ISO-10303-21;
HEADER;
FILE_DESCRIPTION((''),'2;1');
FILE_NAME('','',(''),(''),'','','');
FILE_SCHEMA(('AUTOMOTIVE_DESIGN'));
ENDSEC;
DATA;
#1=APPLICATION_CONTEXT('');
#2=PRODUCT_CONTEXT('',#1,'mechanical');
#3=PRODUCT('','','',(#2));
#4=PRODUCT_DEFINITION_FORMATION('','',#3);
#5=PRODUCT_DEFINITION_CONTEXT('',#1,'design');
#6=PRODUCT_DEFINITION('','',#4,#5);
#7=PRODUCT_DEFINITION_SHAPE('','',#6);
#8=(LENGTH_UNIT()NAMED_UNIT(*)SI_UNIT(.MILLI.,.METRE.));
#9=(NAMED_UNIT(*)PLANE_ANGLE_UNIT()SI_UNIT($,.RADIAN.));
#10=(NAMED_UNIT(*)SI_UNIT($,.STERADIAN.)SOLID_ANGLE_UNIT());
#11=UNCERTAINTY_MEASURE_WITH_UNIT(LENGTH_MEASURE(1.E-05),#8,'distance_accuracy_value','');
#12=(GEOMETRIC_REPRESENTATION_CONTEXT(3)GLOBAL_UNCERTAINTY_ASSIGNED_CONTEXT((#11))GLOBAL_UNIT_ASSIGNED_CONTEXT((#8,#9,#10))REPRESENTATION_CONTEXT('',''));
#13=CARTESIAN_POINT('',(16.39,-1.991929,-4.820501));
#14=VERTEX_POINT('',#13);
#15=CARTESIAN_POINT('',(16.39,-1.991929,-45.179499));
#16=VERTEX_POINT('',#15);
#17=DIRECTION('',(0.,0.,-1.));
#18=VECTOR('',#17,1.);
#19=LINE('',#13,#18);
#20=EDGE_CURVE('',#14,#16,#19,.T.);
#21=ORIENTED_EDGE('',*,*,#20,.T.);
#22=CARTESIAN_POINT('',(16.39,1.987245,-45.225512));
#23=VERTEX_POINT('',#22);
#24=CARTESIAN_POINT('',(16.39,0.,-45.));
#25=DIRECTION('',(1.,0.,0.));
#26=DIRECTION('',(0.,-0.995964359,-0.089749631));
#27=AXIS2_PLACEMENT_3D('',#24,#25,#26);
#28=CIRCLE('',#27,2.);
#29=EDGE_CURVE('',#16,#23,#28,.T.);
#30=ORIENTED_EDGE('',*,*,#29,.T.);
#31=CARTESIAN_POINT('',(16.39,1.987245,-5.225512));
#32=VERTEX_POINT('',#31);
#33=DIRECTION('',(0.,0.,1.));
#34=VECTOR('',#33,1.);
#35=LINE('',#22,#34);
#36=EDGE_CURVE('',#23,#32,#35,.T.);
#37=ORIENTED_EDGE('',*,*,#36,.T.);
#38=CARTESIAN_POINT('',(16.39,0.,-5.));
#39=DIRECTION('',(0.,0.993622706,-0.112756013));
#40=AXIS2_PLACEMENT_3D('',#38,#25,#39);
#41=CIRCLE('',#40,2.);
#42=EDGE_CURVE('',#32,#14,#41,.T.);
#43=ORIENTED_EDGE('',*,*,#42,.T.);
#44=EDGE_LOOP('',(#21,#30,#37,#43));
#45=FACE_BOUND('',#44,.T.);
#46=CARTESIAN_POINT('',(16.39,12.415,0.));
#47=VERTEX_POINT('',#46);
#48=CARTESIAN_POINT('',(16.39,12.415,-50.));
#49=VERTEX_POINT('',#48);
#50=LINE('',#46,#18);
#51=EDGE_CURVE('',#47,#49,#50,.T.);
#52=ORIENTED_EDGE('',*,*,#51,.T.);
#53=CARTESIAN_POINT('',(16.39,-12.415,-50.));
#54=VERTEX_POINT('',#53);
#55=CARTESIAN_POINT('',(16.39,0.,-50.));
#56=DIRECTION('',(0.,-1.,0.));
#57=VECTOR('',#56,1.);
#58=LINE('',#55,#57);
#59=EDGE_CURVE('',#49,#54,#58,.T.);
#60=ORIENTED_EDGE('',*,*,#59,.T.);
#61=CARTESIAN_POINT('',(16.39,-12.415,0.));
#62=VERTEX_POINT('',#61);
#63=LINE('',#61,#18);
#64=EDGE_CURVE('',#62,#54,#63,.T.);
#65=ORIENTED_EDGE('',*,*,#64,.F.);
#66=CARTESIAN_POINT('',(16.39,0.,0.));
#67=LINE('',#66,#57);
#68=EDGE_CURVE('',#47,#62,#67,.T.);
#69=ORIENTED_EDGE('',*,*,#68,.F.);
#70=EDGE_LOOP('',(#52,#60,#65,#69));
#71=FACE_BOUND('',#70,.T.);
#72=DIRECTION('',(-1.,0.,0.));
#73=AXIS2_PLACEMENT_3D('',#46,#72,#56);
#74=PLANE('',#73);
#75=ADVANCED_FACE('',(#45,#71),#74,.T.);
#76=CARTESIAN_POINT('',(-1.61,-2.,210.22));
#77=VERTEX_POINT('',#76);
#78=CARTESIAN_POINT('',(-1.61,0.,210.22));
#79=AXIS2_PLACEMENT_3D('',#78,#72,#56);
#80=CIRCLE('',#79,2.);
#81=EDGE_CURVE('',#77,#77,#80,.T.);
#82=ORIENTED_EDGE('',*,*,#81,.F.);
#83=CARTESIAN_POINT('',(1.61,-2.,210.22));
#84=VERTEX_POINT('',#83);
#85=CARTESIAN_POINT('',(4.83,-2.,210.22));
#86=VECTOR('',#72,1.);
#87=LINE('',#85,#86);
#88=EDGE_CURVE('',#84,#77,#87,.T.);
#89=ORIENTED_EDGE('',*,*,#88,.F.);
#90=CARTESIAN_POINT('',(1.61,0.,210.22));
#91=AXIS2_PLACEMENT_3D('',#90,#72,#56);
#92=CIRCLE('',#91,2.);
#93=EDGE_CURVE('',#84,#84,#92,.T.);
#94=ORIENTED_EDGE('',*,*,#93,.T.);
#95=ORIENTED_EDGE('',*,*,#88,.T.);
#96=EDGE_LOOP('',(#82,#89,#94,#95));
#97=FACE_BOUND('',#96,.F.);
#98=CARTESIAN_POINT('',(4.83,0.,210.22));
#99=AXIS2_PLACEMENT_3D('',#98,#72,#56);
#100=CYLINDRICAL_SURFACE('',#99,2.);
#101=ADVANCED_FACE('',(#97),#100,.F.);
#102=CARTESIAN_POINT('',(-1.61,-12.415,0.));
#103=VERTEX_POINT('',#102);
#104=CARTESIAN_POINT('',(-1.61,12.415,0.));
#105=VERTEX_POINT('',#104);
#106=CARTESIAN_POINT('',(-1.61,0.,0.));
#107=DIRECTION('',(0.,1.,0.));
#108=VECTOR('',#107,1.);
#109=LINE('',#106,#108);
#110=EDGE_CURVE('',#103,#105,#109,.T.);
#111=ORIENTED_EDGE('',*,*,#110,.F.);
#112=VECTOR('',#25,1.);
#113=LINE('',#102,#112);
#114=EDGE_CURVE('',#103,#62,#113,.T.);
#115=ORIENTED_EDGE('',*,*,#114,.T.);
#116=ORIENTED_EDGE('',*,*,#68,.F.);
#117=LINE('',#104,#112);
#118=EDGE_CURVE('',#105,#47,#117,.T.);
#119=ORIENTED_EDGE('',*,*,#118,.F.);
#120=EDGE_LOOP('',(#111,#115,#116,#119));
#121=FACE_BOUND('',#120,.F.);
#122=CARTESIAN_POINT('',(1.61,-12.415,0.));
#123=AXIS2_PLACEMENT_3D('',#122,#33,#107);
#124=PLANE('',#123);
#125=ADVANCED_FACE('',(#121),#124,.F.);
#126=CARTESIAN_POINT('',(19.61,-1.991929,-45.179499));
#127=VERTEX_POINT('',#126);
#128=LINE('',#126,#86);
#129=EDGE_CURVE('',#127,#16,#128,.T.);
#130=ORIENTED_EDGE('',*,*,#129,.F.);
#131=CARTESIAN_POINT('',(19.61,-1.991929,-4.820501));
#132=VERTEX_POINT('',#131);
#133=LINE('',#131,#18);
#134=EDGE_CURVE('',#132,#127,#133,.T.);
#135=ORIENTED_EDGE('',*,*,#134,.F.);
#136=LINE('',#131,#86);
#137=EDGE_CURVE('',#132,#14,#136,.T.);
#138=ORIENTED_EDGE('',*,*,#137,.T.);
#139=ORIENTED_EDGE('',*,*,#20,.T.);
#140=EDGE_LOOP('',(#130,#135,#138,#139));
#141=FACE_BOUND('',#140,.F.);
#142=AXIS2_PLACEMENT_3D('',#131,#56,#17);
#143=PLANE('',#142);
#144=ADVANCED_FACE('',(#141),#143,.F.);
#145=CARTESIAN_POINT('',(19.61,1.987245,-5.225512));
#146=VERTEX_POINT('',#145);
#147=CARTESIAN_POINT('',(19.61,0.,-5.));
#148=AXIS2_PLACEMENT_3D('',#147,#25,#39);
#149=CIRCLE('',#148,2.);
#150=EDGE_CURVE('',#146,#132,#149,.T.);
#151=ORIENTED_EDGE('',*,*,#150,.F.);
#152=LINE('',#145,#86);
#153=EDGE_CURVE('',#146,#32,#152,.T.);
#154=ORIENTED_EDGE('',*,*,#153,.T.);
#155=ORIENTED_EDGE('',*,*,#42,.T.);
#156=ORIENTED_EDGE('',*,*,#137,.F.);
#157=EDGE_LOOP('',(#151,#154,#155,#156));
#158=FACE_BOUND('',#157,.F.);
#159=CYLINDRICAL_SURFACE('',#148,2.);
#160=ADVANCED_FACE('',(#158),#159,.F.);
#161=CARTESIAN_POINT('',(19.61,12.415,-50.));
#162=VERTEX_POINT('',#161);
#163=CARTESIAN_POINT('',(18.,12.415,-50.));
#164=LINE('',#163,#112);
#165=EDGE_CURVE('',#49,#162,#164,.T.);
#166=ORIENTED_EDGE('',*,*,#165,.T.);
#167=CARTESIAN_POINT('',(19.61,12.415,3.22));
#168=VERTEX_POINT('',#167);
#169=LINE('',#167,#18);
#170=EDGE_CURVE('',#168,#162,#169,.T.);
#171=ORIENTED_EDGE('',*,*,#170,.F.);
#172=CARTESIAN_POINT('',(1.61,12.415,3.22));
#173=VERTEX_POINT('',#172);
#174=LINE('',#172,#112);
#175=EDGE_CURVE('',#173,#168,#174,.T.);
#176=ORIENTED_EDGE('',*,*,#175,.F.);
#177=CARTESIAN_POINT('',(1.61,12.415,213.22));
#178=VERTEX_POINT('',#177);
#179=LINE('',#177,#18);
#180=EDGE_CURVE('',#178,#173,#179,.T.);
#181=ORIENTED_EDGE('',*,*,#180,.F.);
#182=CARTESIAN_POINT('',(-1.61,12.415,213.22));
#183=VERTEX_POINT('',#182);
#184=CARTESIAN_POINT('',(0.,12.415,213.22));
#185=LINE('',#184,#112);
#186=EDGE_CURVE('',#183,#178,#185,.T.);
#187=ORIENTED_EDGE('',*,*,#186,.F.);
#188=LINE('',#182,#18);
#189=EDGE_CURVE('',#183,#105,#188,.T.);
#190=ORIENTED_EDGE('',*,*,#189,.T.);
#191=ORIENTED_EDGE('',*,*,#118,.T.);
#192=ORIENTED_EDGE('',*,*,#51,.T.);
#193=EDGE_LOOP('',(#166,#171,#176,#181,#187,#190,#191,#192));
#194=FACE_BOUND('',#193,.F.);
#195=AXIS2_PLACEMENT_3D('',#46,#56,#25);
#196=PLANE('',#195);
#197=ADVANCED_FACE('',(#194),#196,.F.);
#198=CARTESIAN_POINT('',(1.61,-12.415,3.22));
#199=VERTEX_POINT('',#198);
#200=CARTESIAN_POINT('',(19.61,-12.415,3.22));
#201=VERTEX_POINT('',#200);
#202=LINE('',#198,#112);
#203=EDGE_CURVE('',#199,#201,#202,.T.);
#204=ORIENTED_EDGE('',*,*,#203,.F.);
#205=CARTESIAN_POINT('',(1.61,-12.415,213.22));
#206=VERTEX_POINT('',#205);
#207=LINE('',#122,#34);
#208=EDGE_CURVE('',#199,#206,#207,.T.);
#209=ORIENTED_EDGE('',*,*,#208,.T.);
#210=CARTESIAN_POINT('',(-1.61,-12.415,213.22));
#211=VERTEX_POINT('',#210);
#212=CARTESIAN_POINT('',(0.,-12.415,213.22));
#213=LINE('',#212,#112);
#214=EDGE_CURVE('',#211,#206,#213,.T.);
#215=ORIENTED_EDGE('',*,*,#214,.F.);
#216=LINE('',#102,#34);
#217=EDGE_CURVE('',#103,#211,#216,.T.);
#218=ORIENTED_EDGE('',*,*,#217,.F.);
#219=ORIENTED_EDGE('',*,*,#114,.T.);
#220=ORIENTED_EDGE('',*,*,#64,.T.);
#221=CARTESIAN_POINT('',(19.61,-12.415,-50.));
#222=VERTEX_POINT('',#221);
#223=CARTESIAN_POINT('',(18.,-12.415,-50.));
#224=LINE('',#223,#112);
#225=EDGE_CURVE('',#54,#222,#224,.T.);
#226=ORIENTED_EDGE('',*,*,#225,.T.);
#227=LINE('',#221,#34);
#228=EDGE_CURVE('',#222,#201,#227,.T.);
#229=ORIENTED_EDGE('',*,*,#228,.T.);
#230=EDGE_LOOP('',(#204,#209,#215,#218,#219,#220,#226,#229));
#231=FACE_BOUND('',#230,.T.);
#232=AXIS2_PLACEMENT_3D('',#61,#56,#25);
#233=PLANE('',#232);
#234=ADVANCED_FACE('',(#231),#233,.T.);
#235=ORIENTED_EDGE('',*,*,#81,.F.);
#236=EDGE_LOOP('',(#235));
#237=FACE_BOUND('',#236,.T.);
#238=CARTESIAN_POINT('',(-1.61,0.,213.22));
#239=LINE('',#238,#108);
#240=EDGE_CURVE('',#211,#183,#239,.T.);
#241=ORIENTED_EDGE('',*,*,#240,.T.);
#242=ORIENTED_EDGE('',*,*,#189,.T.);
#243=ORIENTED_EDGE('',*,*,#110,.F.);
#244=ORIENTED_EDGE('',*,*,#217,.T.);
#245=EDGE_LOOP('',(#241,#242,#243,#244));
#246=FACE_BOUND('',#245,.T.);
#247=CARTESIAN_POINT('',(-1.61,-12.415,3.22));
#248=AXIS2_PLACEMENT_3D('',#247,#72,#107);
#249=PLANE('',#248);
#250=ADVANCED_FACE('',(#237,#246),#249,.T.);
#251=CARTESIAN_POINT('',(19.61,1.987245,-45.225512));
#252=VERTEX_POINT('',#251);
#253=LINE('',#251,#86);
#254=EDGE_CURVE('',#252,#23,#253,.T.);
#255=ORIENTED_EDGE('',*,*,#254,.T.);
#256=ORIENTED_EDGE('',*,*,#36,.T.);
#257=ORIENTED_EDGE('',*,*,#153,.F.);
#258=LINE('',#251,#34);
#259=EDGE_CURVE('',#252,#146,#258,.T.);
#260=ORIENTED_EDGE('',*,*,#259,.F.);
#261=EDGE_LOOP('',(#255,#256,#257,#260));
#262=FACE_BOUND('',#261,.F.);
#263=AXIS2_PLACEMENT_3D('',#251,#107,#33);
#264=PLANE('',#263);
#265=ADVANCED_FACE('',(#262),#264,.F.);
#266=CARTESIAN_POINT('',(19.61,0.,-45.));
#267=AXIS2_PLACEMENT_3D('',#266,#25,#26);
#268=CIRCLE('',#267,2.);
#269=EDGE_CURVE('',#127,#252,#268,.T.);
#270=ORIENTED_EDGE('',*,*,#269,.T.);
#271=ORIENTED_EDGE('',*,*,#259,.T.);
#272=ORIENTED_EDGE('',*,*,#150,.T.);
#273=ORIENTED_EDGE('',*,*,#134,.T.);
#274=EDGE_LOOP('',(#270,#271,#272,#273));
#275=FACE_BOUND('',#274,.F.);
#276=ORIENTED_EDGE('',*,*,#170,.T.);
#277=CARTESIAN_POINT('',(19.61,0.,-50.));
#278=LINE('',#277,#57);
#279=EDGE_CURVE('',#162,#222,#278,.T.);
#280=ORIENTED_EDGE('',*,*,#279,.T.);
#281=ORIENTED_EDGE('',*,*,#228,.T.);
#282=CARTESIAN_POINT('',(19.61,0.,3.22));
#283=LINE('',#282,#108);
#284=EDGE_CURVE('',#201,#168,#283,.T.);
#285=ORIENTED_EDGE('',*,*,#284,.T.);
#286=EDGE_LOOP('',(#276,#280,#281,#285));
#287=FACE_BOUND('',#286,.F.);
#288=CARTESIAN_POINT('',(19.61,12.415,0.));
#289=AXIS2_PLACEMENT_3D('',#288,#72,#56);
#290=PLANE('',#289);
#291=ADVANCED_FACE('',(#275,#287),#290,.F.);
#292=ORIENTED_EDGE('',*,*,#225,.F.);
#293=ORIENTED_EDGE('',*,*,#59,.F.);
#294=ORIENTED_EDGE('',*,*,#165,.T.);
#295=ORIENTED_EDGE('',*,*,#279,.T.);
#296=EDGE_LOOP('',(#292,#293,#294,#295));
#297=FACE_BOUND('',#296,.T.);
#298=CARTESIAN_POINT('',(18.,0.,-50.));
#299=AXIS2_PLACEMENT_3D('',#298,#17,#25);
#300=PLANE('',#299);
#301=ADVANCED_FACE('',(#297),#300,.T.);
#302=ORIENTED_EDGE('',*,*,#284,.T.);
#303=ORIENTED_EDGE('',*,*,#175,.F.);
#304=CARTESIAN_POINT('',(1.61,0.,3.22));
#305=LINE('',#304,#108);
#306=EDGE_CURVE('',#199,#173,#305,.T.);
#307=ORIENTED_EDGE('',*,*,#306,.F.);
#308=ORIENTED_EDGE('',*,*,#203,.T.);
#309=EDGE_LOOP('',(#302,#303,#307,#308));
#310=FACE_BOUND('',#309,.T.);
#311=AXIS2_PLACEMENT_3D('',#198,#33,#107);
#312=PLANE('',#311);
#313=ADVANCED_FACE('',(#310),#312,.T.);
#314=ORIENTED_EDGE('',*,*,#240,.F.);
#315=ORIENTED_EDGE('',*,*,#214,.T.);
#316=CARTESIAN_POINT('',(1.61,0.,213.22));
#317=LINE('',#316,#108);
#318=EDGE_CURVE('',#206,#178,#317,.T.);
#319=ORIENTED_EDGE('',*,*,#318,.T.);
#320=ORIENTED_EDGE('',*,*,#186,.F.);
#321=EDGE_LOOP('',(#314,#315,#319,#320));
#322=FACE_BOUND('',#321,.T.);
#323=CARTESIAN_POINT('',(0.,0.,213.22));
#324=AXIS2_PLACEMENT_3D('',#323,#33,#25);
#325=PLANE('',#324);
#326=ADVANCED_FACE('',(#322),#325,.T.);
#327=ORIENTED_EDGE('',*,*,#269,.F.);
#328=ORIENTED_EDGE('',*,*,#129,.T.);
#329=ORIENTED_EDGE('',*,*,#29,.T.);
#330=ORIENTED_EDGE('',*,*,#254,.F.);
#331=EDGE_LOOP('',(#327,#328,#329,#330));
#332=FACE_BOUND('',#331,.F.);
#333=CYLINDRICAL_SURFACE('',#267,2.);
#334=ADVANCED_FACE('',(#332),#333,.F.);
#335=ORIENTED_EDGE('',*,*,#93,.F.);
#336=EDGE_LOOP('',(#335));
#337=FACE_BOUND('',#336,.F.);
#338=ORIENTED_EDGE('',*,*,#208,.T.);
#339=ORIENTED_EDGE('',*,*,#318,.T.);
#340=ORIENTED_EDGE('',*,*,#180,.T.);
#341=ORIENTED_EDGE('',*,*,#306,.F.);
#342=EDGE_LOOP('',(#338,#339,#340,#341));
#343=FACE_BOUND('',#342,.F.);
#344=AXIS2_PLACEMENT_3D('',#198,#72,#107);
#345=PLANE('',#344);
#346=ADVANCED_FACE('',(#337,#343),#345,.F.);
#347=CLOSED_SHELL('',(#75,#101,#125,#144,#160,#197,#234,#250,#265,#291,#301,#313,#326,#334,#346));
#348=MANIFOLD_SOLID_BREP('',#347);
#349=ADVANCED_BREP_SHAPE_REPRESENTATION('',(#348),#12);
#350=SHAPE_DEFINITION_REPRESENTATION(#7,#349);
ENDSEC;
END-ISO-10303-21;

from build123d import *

# Parameters (mm, degrees)
F0_W      = 3.22
F0_H      = 24.83
F1_DEPTH  = 3.22
F1_FACE_W = 3.22
F1_FACE_H = 24.83
F2_DEPTH  = 210
F4_D      = 4
F4_DEPTH  = 3.22
F5_W      = 24.83
F5_H      = 3.22
F6_DEPTH  = 18
F7_W      = 3.22
F7_H      = 24.83
F8_DEPTH  = 50
F10_DEPTH = 3.22


with BuildPart() as f1:
    # F0 (on Top) → F1 (new body)
    with BuildSketch(Plane.XY):
        Rectangle(F0_W, F0_H)
    extrude(amount=F1_DEPTH)

    # F1_face (on face) → F2 (join)
    with BuildSketch(Plane.XY.offset(3.22)):
        Rectangle(F1_FACE_W, F1_FACE_H)
    extrude(amount=F2_DEPTH)

    # F4
    with Locations(Plane.YZ.offset(1.61)):
        with Locations((0, 210.22)):
            Hole(F4_D / 2, depth=F4_DEPTH)

    # F5 (on face) → F6 (join)
    with BuildSketch(Plane.YZ.offset(1.61)):
        with Locations((0, 1.61)):
            Rectangle(F5_W, F5_H)
    extrude(amount=F6_DEPTH)

    # F7 (on face) → F8 (join)
    with BuildSketch(Plane(origin=(0, 0, 0), x_dir=(1, 0, 0), z_dir=(0, 0, -1))):
        with Locations((18, 0)):
            Rectangle(F7_W, F7_H)
    extrude(amount=F8_DEPTH)

    # F9 (on face) → F10 (cut)
    with BuildSketch(Plane.YZ.offset(19.61)):
        with BuildLine():
            Line((1.987245, -44.774488), (1.987245, -5.225512))
            ThreePointArc((1.987245, -5.225512), (0.202519, -3.01028), (-1.991929, -4.820501))
            Line((-1.991929, -4.820501), (-1.991929, -5.179499))
            Line((-1.991929, -5.179499), (-1.991929, -44.820501))
            Line((-1.991929, -44.820501), (-1.991929, -45.179499))
            ThreePointArc((-1.991929, -45.179499), (-0.023125, -46.999866), (1.987245, -45.225512))
            Line((1.987245, -45.225512), (1.987245, -44.774488))
        make_face()
    extrude(amount=-F10_DEPTH, mode=Mode.SUBTRACT)


solid = f1.part
